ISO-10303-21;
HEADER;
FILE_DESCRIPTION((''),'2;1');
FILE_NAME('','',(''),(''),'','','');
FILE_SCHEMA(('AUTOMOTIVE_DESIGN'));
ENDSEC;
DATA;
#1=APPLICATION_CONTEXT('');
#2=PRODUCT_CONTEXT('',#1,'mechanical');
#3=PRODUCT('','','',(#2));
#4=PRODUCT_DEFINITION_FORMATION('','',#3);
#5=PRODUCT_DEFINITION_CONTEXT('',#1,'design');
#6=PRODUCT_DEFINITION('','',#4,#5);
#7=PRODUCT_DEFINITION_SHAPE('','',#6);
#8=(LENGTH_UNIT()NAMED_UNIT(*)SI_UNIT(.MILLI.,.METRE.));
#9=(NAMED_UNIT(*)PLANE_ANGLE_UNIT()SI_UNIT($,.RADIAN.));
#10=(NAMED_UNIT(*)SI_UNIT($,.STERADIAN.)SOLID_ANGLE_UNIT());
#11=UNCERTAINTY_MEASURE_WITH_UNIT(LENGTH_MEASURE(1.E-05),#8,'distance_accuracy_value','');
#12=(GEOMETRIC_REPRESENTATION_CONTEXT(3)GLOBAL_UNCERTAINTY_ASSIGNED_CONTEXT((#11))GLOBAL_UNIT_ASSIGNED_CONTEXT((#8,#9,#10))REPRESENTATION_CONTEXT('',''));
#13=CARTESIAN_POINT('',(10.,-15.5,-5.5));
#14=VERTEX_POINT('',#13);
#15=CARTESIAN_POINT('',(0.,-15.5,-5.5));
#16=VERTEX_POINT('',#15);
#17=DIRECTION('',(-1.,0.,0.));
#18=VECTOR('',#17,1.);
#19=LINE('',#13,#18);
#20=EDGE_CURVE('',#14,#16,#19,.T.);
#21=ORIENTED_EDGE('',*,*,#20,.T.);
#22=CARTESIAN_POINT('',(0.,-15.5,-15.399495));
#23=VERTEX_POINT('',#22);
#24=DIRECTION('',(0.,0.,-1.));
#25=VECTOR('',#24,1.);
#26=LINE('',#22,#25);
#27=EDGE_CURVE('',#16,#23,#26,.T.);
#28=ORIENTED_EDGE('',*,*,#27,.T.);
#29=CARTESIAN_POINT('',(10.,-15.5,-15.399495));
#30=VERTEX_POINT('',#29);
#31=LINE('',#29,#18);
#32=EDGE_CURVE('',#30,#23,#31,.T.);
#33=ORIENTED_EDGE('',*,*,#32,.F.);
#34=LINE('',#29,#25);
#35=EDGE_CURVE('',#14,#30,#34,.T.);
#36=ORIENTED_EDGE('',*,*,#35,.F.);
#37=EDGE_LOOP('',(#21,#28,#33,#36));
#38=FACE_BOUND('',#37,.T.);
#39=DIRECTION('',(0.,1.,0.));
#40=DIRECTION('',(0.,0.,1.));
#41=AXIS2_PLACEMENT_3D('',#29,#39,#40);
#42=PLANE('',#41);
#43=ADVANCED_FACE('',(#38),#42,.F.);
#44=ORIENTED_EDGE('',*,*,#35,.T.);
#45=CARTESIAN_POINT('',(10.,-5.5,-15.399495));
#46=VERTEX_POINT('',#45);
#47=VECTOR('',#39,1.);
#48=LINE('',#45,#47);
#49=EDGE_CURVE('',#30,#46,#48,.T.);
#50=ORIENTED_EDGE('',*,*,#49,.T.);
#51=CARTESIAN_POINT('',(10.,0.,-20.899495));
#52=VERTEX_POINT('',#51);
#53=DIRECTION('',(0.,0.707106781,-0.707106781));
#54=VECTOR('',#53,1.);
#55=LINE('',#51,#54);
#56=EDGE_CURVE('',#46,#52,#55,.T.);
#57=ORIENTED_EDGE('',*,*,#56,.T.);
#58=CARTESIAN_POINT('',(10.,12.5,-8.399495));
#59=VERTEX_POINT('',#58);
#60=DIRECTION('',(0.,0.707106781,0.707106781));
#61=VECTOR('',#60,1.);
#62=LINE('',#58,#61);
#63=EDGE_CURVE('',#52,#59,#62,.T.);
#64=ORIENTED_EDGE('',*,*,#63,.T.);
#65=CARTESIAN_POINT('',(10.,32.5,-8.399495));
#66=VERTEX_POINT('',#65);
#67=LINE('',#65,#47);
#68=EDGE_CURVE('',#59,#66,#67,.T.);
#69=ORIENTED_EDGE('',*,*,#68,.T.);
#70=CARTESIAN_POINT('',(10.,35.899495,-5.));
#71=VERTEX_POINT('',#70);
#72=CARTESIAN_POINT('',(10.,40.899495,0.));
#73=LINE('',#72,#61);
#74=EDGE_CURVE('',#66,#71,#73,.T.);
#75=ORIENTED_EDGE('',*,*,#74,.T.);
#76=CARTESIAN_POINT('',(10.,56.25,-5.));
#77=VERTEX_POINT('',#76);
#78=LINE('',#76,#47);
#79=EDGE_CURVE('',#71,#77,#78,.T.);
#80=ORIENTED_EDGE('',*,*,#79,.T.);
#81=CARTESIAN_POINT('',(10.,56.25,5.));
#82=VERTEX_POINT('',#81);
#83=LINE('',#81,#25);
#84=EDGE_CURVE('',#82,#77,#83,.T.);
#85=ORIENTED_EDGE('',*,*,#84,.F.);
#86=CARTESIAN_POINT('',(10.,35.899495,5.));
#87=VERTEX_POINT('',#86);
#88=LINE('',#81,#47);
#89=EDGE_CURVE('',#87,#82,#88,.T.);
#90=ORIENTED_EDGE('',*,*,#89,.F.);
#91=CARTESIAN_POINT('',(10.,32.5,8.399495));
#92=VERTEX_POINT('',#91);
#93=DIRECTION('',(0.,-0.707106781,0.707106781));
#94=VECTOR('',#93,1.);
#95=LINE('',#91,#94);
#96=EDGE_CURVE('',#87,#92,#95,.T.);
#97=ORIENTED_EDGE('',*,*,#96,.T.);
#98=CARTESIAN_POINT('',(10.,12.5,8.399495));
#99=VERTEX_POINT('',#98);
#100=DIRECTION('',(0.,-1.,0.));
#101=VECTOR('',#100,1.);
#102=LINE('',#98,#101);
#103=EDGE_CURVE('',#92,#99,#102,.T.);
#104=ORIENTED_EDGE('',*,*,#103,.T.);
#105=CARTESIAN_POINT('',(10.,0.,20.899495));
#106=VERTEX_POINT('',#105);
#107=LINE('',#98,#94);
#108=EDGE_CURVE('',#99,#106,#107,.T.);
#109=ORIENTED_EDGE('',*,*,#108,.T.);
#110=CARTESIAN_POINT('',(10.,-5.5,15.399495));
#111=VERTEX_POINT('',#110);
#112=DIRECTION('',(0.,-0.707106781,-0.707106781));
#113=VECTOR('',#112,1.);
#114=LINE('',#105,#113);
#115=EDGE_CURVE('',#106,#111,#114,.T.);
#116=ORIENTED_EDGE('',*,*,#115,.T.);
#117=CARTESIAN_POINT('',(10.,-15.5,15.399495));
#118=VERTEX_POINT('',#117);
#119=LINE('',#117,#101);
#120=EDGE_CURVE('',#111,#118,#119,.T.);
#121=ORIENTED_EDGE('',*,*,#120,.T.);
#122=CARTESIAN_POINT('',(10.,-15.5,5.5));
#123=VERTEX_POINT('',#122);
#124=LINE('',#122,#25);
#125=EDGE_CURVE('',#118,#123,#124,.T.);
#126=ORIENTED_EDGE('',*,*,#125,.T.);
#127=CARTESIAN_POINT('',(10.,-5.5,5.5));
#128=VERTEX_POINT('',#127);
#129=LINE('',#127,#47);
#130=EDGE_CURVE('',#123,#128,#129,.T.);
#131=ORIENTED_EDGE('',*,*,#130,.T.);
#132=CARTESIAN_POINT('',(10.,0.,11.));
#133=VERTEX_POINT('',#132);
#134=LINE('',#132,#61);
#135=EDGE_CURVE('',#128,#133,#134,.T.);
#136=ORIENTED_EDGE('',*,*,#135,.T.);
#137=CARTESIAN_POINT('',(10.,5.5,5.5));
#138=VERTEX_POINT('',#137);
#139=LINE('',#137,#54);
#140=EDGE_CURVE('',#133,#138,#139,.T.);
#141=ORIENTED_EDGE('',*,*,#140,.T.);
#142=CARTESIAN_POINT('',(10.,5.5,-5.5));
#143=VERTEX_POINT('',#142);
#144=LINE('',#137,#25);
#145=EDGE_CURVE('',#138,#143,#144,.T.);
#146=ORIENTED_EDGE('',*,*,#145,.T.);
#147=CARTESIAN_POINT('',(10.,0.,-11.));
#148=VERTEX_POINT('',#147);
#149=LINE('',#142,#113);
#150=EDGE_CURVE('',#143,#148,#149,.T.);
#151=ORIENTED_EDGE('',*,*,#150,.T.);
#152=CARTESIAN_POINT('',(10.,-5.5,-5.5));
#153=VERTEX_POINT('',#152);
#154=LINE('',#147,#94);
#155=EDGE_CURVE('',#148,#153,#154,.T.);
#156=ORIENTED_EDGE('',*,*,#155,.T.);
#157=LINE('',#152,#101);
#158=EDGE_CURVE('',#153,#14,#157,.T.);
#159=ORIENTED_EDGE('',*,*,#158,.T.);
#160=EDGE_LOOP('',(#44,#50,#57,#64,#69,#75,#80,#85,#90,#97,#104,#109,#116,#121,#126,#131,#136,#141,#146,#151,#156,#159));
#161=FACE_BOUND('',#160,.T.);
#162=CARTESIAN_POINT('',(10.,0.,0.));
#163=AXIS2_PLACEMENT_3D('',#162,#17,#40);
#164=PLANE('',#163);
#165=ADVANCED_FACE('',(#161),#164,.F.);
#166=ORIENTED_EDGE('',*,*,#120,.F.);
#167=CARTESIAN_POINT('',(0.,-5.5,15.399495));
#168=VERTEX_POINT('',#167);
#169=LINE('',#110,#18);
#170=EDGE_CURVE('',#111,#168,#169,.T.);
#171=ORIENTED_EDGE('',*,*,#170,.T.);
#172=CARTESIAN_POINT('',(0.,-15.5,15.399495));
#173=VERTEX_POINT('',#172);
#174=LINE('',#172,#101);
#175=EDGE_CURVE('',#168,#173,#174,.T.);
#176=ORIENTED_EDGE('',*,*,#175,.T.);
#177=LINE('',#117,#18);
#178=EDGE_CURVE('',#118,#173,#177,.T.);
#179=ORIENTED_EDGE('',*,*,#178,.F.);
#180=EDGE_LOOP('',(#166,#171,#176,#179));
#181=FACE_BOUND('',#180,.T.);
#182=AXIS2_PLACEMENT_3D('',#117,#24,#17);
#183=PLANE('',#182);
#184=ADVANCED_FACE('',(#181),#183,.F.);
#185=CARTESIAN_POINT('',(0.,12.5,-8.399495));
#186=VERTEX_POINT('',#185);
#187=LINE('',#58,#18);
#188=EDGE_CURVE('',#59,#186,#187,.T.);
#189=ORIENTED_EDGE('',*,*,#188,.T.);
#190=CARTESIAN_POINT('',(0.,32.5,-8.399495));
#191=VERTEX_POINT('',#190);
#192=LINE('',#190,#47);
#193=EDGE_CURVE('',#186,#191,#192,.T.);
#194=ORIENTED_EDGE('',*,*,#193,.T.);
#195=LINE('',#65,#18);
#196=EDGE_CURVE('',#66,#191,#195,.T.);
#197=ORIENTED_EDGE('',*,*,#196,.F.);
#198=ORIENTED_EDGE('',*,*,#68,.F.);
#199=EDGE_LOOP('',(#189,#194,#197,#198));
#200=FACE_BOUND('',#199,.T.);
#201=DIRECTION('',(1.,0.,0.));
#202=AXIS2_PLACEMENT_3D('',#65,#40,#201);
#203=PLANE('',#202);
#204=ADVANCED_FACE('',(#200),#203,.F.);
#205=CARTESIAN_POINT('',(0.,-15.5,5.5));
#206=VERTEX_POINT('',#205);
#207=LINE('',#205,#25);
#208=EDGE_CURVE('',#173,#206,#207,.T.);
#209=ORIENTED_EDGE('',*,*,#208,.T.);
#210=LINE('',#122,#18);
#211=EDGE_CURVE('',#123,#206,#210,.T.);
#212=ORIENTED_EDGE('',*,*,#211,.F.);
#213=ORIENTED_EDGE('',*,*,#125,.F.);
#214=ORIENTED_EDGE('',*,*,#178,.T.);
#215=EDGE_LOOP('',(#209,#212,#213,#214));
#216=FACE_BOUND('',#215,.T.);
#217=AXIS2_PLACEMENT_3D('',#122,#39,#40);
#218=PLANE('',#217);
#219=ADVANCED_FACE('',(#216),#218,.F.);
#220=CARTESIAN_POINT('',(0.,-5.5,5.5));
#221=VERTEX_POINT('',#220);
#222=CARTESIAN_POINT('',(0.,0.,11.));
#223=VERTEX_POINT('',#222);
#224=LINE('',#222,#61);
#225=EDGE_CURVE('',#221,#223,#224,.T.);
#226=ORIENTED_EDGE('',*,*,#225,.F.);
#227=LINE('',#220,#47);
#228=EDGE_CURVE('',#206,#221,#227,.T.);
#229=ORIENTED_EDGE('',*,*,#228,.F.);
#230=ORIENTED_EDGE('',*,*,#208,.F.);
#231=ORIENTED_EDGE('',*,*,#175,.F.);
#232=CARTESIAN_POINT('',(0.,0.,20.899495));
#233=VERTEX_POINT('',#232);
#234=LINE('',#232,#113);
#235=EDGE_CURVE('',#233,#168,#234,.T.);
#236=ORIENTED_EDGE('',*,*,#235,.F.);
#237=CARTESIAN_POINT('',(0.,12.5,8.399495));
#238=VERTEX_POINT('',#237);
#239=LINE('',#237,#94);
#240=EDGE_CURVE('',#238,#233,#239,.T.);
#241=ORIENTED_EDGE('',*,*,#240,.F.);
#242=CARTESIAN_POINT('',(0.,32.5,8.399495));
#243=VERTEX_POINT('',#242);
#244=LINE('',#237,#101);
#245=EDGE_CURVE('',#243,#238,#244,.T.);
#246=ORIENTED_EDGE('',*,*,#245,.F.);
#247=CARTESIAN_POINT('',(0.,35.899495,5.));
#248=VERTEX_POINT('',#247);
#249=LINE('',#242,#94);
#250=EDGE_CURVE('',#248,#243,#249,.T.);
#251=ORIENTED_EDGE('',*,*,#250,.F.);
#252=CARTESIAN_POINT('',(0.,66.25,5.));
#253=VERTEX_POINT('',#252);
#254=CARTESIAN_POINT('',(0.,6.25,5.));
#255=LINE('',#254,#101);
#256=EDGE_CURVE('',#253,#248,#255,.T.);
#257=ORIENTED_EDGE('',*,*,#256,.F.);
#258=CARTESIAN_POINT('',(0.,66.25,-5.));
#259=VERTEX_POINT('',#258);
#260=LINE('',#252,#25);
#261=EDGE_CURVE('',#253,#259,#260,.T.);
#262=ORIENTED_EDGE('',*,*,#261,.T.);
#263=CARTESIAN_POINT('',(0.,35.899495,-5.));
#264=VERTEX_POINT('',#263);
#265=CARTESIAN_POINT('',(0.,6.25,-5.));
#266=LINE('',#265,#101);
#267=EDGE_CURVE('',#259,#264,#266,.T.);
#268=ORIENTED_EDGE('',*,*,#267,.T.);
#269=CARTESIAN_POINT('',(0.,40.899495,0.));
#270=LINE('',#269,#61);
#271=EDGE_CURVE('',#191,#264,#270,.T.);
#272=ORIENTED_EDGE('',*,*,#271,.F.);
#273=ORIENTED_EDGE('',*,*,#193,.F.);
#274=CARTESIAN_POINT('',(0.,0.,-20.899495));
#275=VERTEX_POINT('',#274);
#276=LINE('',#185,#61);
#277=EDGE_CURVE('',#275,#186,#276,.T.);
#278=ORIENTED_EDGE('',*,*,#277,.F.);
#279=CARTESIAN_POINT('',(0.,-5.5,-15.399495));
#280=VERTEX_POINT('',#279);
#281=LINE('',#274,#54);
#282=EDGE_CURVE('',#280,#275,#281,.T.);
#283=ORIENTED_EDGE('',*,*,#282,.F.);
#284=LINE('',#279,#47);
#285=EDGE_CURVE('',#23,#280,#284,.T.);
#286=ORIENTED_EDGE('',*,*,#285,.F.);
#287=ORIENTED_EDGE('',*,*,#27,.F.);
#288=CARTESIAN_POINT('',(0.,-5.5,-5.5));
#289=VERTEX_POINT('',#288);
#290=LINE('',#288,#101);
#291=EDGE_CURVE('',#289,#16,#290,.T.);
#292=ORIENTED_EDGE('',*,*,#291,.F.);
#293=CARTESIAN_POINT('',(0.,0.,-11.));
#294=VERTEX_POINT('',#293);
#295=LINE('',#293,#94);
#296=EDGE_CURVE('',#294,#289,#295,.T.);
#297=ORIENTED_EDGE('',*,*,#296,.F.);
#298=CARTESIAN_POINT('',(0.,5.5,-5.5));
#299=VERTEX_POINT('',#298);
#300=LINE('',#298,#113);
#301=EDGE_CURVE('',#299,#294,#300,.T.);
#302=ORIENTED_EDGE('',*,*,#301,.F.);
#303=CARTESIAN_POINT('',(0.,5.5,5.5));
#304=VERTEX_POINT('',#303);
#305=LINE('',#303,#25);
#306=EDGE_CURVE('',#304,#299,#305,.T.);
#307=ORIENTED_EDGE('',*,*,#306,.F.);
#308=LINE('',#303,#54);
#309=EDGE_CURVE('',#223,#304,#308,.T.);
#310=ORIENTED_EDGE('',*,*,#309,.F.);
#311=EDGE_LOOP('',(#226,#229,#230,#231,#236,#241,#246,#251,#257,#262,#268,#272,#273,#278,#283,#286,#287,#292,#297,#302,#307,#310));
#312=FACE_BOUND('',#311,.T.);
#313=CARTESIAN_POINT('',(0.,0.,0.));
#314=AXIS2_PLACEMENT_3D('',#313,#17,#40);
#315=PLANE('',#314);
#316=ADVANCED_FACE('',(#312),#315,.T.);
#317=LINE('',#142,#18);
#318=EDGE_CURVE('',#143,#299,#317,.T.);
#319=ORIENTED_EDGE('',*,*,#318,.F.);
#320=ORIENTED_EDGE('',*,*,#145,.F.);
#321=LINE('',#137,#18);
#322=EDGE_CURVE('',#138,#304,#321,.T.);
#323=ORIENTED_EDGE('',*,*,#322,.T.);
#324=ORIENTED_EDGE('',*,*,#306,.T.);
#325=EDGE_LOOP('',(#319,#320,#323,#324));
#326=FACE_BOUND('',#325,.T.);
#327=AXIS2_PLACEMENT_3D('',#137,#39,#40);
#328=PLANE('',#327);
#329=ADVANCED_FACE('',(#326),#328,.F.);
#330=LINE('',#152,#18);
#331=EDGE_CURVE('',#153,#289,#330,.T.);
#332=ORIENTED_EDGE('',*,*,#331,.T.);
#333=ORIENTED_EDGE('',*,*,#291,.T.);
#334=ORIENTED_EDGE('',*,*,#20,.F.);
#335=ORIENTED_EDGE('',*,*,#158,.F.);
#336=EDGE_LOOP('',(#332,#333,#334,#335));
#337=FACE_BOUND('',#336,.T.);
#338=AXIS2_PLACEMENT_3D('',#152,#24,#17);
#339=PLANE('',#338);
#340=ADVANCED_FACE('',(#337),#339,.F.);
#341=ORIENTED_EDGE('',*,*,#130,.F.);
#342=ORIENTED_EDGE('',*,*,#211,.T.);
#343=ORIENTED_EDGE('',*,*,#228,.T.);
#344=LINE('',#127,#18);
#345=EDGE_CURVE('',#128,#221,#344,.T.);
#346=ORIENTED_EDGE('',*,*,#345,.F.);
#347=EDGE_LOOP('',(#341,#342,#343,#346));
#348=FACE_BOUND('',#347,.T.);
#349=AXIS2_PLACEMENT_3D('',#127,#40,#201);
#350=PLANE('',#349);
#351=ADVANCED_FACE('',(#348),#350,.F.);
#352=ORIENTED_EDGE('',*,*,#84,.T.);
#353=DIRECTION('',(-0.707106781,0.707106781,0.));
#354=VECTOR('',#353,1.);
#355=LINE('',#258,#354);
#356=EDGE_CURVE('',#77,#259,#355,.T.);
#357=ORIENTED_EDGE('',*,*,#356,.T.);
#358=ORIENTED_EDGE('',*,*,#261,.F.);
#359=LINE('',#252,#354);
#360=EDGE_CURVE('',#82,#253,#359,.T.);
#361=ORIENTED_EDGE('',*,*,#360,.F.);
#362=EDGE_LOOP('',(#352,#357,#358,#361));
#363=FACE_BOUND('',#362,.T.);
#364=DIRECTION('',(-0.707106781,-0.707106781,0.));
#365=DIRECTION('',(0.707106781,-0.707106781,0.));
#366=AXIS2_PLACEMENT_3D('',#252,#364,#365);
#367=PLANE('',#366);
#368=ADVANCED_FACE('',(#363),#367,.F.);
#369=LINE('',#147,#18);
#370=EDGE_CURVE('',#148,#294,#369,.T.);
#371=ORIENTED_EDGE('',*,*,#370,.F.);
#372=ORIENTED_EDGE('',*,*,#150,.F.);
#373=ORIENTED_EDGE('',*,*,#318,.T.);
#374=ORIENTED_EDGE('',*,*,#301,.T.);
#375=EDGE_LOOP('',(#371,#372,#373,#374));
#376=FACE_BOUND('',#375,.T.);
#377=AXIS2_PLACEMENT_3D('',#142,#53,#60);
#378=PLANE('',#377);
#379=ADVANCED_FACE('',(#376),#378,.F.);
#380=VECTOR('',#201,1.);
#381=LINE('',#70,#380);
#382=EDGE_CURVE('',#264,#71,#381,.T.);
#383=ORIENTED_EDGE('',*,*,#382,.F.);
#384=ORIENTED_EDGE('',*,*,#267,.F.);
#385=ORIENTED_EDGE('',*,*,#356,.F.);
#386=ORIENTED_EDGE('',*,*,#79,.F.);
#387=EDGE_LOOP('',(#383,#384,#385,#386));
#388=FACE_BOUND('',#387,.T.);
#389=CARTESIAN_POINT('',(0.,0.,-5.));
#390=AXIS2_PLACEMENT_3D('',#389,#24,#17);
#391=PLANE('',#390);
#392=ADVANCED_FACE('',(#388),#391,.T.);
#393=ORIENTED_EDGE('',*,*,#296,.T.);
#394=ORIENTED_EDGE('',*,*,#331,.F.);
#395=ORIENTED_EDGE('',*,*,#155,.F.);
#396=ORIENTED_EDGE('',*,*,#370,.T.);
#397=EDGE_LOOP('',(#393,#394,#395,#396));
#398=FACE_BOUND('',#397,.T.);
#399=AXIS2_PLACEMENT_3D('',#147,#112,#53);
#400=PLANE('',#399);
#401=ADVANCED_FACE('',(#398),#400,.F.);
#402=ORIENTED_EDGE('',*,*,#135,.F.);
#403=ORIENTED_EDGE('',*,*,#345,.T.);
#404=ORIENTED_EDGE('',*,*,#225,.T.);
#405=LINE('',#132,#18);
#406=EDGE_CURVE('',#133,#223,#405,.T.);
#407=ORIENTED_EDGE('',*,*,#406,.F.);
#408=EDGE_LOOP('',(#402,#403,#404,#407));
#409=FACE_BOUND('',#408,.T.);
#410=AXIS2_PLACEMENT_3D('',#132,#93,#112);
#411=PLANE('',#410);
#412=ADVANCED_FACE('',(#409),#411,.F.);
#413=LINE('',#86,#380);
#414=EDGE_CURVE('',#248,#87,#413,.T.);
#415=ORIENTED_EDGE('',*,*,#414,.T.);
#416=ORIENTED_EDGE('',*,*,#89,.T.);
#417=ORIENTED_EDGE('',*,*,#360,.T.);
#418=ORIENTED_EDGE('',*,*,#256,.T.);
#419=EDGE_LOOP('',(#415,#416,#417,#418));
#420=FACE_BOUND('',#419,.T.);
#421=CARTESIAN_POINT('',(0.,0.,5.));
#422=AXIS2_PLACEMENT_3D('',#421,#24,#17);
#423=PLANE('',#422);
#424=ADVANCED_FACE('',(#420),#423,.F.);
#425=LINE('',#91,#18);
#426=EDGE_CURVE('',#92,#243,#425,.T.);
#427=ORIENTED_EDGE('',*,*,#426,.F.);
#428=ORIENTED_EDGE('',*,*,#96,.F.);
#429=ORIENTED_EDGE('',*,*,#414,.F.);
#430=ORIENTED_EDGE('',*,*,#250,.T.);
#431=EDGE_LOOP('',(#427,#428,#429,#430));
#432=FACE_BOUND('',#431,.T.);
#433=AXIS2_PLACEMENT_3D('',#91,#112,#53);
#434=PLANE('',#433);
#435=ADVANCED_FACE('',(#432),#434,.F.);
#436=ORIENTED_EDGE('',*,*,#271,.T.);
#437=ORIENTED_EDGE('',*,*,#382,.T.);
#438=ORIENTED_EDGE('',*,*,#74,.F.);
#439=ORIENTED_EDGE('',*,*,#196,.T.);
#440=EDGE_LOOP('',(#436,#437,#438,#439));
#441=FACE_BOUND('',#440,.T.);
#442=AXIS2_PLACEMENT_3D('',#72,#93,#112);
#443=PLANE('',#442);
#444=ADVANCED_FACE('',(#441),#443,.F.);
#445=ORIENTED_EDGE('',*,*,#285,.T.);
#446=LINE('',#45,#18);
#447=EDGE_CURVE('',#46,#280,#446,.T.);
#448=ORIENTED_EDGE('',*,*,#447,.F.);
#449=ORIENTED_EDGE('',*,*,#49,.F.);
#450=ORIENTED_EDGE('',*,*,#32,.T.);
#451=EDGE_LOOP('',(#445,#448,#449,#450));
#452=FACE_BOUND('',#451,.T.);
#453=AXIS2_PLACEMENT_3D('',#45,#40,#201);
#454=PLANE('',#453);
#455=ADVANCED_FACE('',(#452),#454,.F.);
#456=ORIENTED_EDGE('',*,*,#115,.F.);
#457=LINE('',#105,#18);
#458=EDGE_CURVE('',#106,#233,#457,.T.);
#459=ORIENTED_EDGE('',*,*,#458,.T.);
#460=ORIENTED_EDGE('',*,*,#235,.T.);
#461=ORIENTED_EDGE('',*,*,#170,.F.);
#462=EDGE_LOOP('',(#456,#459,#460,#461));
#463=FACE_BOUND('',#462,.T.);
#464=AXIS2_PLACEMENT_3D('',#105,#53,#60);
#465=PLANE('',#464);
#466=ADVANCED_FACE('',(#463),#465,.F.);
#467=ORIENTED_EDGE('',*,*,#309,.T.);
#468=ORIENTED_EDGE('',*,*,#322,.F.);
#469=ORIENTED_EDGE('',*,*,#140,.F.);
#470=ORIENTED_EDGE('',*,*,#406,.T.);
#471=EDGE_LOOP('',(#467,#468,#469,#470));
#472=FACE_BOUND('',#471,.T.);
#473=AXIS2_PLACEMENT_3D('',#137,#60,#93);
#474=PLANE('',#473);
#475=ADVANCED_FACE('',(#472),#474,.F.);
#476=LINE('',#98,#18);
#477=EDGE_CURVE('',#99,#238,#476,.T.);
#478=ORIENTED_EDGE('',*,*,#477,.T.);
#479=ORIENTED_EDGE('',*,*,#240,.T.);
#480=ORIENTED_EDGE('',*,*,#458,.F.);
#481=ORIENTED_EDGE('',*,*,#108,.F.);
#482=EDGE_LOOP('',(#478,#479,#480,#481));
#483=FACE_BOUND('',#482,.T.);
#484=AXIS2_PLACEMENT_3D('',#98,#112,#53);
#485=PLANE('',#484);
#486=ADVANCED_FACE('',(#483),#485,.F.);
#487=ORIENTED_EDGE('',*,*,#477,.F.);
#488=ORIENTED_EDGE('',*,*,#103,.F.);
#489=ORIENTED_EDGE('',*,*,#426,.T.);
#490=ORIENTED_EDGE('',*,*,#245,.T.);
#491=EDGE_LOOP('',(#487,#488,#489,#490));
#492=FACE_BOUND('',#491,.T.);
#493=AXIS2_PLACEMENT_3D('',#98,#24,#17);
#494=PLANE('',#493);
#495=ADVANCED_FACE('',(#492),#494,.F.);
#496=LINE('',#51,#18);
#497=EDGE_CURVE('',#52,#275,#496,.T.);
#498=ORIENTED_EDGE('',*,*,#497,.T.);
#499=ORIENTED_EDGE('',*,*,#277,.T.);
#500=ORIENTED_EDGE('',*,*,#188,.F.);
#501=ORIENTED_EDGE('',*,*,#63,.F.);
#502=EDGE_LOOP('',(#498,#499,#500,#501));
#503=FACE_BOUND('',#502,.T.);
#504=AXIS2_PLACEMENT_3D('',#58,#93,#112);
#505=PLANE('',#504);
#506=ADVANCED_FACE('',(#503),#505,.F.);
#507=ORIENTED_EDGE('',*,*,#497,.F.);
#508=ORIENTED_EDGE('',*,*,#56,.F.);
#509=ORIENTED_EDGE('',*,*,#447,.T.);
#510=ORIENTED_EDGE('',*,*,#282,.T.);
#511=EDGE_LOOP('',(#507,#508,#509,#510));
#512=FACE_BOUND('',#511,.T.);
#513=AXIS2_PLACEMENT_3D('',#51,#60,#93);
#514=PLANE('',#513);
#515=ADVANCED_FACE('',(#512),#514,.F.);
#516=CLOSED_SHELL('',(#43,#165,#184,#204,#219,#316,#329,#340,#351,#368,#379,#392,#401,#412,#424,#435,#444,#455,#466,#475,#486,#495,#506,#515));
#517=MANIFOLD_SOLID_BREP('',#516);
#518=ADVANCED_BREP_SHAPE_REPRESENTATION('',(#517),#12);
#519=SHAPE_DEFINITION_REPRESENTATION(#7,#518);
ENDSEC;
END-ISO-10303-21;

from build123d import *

# Parameters (mm, degrees)
BOSS_EXTRUDE1_DEPTH = 10
BOSS_EXTRUDE2_DEPTH = 5


with BuildPart() as part:
    # Sketch1 → Boss-Extrude1 (new body)
    with BuildSketch(Plane(origin=(0, 0, 0), x_dir=(0, 0, -1), z_dir=(1, 0, 0))):
        Polygon((5.5, 5.5), (11, 0), (5.5, -5.5), (5.5, -15.5), (15.399494937, -15.5), (15.399494937, -5.5), (20.899494937, 0), (8.399494937, 12.5), (8.399494937, 32.5), (0, 40.899494937), (-8.399494937, 32.5), (-8.399494937, 12.5), (-20.899494937, 0), (-15.399494937, -5.5), (-15.399494937, -15.5), (-5.5, -15.5), (-5.5, -5.5), (-11, 0), (-5.5, 5.5), align=None)
    extrude(amount=BOSS_EXTRUDE1_DEPTH)

    # Sketch2 → Boss-Extrude2 (add, symmetric)
    with BuildSketch(Plane.XY):
        Polygon((0, 6.25), (0, 66.25), (10, 56.25), (10, 6.25), align=None)
    extrude(amount=BOSS_EXTRUDE2_DEPTH, both=True)


solid = part.part
